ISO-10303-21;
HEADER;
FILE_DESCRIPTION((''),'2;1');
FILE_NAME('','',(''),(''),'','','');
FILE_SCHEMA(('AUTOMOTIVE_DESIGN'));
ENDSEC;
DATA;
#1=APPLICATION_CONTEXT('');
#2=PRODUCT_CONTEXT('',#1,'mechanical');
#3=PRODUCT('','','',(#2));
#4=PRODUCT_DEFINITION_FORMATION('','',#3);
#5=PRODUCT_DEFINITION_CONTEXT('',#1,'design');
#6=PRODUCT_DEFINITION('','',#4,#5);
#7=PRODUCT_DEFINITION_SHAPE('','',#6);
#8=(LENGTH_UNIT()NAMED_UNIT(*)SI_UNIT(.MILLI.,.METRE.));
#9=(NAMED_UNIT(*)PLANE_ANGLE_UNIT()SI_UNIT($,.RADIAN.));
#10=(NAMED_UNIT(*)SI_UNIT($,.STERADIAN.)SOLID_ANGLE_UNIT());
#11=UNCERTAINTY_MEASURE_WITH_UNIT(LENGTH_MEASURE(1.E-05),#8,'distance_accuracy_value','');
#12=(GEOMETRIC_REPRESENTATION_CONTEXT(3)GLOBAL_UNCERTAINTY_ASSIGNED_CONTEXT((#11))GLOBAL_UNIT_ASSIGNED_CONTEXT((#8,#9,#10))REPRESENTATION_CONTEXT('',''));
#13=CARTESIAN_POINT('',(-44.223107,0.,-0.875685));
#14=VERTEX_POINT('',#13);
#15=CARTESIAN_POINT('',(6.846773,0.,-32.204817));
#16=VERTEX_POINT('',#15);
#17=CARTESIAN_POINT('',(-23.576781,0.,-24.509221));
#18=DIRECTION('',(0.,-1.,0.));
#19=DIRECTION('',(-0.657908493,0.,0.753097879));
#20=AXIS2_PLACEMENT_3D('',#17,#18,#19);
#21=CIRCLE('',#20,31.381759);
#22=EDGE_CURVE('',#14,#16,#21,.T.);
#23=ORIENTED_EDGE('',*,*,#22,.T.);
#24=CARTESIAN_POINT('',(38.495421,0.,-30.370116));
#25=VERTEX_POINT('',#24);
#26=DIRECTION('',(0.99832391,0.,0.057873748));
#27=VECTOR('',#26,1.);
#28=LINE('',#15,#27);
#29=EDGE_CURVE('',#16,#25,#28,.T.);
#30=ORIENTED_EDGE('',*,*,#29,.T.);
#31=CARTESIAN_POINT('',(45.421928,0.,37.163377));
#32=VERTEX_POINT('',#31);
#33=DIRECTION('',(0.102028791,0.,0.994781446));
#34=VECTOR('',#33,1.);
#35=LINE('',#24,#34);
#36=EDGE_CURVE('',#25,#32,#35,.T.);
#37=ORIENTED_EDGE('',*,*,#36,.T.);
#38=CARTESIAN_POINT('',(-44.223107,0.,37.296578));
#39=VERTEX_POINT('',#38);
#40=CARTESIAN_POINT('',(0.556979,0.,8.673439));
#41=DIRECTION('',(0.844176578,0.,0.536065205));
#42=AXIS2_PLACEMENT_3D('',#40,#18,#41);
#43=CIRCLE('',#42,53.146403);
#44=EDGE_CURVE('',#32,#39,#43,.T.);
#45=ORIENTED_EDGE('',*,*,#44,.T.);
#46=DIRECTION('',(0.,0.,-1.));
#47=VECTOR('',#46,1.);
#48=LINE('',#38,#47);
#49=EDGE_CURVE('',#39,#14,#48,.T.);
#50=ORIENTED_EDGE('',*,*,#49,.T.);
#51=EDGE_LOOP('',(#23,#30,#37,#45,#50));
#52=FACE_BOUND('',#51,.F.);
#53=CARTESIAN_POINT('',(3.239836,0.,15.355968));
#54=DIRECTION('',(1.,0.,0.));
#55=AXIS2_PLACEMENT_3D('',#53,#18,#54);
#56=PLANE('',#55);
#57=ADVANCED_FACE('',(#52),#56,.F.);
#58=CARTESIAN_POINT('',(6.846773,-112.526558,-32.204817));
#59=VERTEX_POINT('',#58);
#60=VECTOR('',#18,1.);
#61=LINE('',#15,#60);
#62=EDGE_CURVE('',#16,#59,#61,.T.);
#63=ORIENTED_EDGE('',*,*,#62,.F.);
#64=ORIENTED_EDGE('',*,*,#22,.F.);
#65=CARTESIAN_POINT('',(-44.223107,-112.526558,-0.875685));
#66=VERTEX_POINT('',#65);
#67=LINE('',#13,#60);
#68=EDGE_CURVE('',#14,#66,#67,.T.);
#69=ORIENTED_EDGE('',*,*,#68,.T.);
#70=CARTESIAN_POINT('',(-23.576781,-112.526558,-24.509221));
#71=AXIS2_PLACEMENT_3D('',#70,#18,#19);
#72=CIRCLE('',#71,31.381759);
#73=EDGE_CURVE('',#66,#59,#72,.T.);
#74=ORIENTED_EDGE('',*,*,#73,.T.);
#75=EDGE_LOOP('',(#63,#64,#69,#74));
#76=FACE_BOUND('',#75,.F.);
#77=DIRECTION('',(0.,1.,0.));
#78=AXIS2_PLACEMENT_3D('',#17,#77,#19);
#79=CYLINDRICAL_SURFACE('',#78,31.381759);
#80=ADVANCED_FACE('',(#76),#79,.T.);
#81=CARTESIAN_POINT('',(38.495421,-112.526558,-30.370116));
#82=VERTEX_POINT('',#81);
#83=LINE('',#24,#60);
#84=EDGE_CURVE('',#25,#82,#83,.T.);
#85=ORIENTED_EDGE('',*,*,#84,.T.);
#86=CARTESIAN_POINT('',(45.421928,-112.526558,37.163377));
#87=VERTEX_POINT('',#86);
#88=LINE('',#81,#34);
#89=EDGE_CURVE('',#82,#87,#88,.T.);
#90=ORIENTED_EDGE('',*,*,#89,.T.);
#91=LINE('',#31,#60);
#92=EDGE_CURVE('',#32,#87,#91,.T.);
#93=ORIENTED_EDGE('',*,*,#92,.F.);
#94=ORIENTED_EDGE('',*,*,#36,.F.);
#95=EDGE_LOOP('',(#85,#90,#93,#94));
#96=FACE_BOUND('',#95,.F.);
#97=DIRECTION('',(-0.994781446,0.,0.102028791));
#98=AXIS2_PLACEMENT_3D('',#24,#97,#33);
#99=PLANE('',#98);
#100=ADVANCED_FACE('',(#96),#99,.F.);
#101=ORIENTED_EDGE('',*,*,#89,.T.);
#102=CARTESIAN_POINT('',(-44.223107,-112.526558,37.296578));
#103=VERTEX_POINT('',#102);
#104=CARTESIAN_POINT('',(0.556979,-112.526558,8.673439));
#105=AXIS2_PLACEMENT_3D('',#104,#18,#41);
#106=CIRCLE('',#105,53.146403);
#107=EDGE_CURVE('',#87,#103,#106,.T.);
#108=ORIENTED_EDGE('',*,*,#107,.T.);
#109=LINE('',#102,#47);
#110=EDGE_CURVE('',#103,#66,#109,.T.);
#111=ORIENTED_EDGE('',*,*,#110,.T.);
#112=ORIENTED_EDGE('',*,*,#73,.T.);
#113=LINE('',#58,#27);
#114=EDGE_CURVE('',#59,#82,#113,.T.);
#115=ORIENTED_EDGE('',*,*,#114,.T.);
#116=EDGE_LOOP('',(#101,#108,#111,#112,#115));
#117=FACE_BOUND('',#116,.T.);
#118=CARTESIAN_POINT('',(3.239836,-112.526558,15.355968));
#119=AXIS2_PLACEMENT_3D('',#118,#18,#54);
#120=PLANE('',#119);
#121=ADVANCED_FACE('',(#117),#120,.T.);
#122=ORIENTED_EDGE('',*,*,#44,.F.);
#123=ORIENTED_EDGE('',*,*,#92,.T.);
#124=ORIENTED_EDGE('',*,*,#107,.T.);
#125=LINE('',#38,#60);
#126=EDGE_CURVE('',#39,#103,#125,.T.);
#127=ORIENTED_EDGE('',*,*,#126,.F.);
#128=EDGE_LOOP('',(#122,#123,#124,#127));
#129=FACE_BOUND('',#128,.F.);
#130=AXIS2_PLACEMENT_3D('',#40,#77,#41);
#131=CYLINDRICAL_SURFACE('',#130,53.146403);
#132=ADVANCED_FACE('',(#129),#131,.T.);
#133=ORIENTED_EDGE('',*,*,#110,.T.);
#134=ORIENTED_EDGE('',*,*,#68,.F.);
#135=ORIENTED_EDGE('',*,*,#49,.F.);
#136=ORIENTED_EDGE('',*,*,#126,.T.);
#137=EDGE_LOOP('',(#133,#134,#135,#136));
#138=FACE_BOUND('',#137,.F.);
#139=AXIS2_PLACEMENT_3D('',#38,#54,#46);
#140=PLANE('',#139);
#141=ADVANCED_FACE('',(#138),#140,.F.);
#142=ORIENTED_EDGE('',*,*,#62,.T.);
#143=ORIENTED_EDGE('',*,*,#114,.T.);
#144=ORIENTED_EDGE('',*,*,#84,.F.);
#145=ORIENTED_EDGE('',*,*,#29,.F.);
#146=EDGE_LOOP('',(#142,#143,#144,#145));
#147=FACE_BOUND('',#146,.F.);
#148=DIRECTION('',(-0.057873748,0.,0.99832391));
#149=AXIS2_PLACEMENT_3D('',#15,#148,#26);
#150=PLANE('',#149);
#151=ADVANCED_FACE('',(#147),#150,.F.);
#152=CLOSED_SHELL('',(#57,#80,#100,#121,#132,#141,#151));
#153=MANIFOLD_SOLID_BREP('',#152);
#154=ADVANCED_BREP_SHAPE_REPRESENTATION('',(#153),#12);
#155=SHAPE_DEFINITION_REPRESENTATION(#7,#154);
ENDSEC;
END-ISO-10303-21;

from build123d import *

# Parameters (mm, degrees)
F1_DEPTH = 112.526558


with BuildPart() as f1:
    # F0 (on Front) → F1 (new body)
    with BuildSketch(Plane.XZ):
        with BuildLine():
            Line((38.495421, -30.370116), (45.421928, 37.163377))
            ThreePointArc((45.421928, 37.163377), (0.635948, 61.819784), (-44.223107, 37.296578))
            Line((-44.223107, 37.296578), (-44.223107, -0.875685))
            ThreePointArc((-44.223107, -0.875685), (-10.598014, 4.062906), (7.804978, -24.509221))
            ThreePointArc((7.804978, -24.509221), (7.564505, -28.386732), (6.846773, -32.204817))
            Line((6.846773, -32.204817), (38.495421, -30.370116))
        make_face()
        with BuildLine():
            ThreePointArc((7.804978, -24.509221), (-10.598014, 4.062906), (-44.223107, -0.875685))
            Line((-44.223107, -0.875685), (-44.223107, -35.165384))
            Line((-44.223107, -35.165384), (6.846773, -32.204817))
            ThreePointArc((6.846773, -32.204817), (7.564505, -28.386732), (7.804978, -24.509221))
        make_face()
        with BuildLine():
            Line((-44.223107, -35.165384), (-44.223107, -0.875685))
            ThreePointArc((-44.223107, -0.875685), (-39.986448, -51.258757), (6.846773, -32.204817))
            Line((6.846773, -32.204817), (-44.223107, -35.165384))
        make_face()
    extrude(amount=F1_DEPTH)


solid = f1.part
